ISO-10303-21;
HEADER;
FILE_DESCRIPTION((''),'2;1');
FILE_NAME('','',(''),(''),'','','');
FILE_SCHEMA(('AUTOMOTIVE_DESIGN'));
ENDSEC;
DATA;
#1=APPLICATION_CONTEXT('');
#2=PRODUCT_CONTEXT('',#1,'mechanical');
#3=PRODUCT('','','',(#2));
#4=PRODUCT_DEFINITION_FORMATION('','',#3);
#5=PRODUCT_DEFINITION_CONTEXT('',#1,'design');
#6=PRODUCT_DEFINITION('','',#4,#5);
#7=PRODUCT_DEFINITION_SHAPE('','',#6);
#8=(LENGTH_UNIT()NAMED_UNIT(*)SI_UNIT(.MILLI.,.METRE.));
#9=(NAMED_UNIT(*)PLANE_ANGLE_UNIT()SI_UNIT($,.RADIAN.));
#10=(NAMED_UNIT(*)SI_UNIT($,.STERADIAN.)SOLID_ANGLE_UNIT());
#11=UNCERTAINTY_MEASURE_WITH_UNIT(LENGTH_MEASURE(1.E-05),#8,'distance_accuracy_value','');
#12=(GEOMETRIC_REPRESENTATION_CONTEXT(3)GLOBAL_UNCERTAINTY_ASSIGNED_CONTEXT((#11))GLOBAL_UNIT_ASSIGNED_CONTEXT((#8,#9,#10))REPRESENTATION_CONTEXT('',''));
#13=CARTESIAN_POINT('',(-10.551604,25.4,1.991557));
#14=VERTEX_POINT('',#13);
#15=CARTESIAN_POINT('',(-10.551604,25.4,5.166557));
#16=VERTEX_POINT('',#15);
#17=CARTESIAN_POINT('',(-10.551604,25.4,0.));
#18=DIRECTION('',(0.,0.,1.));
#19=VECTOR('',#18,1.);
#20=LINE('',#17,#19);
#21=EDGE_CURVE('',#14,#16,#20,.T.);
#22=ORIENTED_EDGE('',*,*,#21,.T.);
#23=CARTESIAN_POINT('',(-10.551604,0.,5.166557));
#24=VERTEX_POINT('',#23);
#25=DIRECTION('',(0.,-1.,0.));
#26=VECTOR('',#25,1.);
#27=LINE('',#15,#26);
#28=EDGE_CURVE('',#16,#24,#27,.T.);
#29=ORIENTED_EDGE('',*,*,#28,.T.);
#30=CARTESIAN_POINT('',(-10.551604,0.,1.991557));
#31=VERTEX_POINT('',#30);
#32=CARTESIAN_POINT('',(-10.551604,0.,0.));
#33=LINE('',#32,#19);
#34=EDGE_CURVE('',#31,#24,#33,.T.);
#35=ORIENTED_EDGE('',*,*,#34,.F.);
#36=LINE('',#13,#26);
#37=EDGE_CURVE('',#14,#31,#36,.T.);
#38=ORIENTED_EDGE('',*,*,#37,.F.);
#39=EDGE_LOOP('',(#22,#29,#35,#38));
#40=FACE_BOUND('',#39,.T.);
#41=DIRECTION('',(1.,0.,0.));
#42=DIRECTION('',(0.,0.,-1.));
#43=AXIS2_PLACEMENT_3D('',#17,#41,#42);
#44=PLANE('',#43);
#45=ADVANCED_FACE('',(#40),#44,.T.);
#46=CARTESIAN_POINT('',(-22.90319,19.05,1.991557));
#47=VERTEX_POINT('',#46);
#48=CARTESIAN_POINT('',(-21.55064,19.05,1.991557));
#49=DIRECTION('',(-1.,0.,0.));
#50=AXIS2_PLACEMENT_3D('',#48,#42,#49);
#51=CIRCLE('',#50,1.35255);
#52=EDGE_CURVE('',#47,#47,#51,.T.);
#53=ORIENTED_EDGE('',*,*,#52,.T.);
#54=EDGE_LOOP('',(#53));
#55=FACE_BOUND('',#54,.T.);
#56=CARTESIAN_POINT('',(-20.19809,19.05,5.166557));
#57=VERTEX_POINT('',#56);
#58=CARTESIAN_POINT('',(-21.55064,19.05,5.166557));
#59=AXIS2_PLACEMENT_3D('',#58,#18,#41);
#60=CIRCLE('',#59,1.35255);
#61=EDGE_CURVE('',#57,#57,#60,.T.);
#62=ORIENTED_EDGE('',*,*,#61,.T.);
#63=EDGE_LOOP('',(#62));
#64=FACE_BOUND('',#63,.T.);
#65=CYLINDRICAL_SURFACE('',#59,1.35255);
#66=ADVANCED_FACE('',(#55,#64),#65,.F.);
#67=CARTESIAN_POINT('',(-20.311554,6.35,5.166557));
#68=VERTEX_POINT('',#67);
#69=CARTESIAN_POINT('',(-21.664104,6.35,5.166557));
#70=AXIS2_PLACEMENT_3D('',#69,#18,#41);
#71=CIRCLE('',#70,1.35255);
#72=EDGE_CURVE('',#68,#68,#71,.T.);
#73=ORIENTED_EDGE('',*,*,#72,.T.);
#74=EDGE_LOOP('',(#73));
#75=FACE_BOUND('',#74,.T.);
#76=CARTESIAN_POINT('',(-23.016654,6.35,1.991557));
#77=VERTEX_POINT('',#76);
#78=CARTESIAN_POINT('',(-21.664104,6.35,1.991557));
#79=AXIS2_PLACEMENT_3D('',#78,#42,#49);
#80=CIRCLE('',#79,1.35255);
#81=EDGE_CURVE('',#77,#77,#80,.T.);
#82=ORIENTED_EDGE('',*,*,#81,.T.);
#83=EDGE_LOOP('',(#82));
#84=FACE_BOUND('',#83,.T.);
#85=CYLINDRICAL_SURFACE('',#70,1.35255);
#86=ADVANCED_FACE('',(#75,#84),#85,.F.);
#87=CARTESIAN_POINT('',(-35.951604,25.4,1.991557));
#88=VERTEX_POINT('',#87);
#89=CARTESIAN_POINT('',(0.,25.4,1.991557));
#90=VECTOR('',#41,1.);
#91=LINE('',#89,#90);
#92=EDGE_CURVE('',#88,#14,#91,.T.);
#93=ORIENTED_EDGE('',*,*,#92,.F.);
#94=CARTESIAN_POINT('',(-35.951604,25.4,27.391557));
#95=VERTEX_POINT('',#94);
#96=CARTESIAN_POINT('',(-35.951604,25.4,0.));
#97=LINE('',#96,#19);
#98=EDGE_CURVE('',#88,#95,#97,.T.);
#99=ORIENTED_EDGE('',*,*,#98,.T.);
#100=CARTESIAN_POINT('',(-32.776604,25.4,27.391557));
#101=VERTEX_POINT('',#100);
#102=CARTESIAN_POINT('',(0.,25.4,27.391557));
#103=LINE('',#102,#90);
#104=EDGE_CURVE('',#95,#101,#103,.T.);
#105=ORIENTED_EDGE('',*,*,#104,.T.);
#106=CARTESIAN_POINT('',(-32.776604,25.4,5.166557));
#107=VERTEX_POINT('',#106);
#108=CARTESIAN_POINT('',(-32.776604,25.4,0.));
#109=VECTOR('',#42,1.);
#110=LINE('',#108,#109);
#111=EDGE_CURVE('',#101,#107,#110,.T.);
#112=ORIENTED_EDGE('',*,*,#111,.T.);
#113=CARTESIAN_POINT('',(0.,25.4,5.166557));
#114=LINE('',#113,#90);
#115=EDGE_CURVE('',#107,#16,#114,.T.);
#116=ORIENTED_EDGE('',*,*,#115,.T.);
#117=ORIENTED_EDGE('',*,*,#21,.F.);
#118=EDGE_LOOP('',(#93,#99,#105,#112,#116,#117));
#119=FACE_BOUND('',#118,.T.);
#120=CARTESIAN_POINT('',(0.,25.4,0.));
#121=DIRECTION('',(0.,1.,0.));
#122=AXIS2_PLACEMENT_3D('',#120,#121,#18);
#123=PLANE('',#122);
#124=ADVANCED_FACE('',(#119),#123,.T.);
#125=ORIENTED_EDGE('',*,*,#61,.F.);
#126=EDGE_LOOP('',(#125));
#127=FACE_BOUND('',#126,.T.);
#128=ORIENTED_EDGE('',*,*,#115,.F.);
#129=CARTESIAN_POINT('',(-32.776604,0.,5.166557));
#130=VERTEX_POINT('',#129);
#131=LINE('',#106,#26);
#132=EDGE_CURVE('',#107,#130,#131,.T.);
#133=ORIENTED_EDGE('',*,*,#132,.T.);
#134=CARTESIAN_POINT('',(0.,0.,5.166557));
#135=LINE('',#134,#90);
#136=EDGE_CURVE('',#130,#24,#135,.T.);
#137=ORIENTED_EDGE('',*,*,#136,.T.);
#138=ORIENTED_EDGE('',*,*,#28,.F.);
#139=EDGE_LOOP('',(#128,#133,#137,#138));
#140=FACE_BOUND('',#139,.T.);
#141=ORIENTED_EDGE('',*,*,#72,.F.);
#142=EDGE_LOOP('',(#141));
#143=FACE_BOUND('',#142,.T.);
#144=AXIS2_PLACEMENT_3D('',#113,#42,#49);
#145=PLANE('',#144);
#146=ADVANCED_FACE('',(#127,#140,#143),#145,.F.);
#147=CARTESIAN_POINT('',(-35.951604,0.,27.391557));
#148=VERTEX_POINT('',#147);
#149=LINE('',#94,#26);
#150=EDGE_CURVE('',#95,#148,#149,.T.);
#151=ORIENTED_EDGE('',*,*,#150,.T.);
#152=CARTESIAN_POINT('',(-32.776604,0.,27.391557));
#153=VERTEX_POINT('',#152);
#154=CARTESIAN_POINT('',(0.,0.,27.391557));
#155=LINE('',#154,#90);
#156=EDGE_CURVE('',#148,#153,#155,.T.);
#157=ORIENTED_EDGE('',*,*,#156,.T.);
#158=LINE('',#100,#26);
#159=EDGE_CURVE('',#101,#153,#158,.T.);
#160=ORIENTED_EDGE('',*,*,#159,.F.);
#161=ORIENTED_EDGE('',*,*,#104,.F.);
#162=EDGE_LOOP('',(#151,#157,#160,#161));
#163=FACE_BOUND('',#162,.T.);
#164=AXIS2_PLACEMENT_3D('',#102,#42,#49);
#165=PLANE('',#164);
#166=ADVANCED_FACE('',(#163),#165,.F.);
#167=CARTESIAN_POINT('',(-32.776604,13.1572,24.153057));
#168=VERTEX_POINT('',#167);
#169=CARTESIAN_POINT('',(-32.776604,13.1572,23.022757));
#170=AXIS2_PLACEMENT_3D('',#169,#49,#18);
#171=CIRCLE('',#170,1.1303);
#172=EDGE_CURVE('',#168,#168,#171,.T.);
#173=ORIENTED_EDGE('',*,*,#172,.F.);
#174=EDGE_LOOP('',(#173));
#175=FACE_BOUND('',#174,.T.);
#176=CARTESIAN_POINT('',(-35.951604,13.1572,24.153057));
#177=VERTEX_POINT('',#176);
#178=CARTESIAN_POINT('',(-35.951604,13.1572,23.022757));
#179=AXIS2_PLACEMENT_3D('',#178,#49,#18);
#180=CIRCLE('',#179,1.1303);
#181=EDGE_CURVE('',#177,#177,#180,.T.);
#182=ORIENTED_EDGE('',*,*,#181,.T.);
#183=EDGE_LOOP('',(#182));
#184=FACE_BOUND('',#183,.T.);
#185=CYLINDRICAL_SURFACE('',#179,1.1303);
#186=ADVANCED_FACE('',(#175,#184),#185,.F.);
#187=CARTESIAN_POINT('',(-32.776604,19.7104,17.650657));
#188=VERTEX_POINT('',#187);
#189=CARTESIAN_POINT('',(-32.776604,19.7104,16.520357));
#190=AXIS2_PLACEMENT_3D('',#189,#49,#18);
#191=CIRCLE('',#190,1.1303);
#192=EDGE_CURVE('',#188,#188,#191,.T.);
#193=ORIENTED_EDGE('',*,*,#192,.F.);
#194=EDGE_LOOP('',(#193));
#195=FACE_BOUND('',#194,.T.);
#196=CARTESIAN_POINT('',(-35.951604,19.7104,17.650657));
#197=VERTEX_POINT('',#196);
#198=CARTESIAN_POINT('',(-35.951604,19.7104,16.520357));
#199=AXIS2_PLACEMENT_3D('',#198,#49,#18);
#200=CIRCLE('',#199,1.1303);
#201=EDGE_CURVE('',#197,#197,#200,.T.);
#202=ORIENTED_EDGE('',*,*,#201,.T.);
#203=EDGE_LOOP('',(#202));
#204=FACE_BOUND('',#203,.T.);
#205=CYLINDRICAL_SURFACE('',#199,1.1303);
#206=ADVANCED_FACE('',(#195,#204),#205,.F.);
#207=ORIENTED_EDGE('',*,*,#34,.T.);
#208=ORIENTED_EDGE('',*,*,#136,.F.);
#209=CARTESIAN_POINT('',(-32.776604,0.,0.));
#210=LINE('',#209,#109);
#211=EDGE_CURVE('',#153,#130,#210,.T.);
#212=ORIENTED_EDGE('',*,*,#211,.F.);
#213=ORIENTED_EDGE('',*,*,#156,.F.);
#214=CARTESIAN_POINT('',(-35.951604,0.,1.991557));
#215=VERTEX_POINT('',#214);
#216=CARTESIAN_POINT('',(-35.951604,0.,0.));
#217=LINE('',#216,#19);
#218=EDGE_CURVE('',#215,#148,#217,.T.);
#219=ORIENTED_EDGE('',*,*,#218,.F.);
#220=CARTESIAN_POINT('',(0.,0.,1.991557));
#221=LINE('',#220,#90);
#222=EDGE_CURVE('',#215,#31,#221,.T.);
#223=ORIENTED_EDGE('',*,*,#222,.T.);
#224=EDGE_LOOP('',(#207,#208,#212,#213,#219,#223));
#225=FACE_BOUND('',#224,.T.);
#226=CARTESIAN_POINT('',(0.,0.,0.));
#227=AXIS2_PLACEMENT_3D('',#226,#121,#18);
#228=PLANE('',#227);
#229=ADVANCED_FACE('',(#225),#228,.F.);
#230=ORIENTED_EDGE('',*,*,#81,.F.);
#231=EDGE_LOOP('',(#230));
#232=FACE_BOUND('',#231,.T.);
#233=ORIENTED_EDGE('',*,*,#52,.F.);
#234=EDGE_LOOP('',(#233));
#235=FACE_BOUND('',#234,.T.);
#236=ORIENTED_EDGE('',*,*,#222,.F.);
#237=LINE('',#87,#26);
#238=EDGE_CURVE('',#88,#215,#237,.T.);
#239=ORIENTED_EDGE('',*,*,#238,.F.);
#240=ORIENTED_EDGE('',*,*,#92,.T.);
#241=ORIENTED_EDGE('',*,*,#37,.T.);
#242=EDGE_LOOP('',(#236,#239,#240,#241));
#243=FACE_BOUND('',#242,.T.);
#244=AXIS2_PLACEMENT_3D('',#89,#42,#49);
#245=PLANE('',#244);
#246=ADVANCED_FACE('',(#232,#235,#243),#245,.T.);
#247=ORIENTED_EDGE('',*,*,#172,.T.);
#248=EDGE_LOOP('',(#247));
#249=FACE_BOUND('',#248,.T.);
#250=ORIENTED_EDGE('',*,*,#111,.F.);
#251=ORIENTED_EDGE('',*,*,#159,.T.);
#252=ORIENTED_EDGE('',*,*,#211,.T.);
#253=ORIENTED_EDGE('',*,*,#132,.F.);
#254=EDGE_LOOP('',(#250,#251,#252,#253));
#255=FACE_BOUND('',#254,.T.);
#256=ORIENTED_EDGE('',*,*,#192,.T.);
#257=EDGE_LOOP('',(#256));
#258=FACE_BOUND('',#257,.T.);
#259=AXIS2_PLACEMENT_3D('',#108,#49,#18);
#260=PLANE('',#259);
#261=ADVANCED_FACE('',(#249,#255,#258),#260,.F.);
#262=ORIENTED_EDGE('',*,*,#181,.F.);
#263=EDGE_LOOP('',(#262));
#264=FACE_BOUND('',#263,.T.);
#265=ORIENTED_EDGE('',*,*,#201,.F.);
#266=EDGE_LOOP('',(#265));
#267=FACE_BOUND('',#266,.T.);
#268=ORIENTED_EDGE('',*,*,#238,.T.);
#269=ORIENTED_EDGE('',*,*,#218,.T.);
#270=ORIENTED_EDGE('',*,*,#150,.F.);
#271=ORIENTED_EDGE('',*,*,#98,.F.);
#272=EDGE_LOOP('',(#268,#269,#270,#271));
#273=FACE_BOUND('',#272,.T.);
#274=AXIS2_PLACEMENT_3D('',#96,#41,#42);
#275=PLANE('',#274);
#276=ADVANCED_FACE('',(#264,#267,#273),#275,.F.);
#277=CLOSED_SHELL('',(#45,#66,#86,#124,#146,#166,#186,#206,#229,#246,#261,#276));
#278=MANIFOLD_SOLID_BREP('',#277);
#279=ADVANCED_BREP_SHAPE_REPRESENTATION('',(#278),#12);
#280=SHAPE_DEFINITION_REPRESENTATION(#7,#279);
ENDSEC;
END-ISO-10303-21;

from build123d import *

# Parameters (mm, degrees)
BOSS_EXTRUDE2_DEPTH           = 25.4
TAP_DRILL_FOR_4_40_TAP1_D     = 2.2606
TAP_DRILL_FOR_4_40_TAP1_DEPTH = 3.302
TAP_DRILL_FOR_4_40_TAP1_TIP   = 0.679152758
TAP_DRILL_FOR_6_32_TAP1_D     = 2.7051
TAP_DRILL_FOR_6_32_TAP1_DEPTH = 3.302
TAP_DRILL_FOR_6_32_TAP1_TIP   = 0.81269403


with BuildPart() as part:
    # Sketch1 → Boss-Extrude2 (new body)
    with BuildSketch(Plane(origin=(0, 0, 0), x_dir=(1, 0, 0), z_dir=(0, 1, 0))):
        Polygon((-35.951603547, -27.391556999), (-32.776603547, -27.391556999), (-32.776603547, -5.166556999), (-10.551603547, -5.166556999), (-10.551603547, -1.991556999), (-35.951603547, -1.991556999), align=None)
    extrude(amount=BOSS_EXTRUDE2_DEPTH)

    # Tap Drill for #4-40 Tap1
    with Locations(Plane.ZY.offset(35.951603547)):
        with Locations((16.520356999, 19.7104), (23.022756999, 13.1572)):
            Hole(TAP_DRILL_FOR_4_40_TAP1_D / 2, depth=TAP_DRILL_FOR_4_40_TAP1_DEPTH)
            with Locations((0, 0, -(TAP_DRILL_FOR_4_40_TAP1_DEPTH + TAP_DRILL_FOR_4_40_TAP1_TIP / 2))):  # 118° drill point
                Cone(0, TAP_DRILL_FOR_4_40_TAP1_D / 2, TAP_DRILL_FOR_4_40_TAP1_TIP, mode=Mode.SUBTRACT)

    # Tap Drill for #6-32 Tap1
    with Locations(Plane(origin=(-21.664103547, 6.35, 5.166556999), x_dir=(1, 0, 0), z_dir=(0, 0, 1))):
        with Locations((0, 0), (0.113463967, 12.7)):
            Hole(TAP_DRILL_FOR_6_32_TAP1_D / 2, depth=TAP_DRILL_FOR_6_32_TAP1_DEPTH)
            with Locations((0, 0, -(TAP_DRILL_FOR_6_32_TAP1_DEPTH + TAP_DRILL_FOR_6_32_TAP1_TIP / 2))):  # 118° drill point
                Cone(0, TAP_DRILL_FOR_6_32_TAP1_D / 2, TAP_DRILL_FOR_6_32_TAP1_TIP, mode=Mode.SUBTRACT)


solid = part.part
